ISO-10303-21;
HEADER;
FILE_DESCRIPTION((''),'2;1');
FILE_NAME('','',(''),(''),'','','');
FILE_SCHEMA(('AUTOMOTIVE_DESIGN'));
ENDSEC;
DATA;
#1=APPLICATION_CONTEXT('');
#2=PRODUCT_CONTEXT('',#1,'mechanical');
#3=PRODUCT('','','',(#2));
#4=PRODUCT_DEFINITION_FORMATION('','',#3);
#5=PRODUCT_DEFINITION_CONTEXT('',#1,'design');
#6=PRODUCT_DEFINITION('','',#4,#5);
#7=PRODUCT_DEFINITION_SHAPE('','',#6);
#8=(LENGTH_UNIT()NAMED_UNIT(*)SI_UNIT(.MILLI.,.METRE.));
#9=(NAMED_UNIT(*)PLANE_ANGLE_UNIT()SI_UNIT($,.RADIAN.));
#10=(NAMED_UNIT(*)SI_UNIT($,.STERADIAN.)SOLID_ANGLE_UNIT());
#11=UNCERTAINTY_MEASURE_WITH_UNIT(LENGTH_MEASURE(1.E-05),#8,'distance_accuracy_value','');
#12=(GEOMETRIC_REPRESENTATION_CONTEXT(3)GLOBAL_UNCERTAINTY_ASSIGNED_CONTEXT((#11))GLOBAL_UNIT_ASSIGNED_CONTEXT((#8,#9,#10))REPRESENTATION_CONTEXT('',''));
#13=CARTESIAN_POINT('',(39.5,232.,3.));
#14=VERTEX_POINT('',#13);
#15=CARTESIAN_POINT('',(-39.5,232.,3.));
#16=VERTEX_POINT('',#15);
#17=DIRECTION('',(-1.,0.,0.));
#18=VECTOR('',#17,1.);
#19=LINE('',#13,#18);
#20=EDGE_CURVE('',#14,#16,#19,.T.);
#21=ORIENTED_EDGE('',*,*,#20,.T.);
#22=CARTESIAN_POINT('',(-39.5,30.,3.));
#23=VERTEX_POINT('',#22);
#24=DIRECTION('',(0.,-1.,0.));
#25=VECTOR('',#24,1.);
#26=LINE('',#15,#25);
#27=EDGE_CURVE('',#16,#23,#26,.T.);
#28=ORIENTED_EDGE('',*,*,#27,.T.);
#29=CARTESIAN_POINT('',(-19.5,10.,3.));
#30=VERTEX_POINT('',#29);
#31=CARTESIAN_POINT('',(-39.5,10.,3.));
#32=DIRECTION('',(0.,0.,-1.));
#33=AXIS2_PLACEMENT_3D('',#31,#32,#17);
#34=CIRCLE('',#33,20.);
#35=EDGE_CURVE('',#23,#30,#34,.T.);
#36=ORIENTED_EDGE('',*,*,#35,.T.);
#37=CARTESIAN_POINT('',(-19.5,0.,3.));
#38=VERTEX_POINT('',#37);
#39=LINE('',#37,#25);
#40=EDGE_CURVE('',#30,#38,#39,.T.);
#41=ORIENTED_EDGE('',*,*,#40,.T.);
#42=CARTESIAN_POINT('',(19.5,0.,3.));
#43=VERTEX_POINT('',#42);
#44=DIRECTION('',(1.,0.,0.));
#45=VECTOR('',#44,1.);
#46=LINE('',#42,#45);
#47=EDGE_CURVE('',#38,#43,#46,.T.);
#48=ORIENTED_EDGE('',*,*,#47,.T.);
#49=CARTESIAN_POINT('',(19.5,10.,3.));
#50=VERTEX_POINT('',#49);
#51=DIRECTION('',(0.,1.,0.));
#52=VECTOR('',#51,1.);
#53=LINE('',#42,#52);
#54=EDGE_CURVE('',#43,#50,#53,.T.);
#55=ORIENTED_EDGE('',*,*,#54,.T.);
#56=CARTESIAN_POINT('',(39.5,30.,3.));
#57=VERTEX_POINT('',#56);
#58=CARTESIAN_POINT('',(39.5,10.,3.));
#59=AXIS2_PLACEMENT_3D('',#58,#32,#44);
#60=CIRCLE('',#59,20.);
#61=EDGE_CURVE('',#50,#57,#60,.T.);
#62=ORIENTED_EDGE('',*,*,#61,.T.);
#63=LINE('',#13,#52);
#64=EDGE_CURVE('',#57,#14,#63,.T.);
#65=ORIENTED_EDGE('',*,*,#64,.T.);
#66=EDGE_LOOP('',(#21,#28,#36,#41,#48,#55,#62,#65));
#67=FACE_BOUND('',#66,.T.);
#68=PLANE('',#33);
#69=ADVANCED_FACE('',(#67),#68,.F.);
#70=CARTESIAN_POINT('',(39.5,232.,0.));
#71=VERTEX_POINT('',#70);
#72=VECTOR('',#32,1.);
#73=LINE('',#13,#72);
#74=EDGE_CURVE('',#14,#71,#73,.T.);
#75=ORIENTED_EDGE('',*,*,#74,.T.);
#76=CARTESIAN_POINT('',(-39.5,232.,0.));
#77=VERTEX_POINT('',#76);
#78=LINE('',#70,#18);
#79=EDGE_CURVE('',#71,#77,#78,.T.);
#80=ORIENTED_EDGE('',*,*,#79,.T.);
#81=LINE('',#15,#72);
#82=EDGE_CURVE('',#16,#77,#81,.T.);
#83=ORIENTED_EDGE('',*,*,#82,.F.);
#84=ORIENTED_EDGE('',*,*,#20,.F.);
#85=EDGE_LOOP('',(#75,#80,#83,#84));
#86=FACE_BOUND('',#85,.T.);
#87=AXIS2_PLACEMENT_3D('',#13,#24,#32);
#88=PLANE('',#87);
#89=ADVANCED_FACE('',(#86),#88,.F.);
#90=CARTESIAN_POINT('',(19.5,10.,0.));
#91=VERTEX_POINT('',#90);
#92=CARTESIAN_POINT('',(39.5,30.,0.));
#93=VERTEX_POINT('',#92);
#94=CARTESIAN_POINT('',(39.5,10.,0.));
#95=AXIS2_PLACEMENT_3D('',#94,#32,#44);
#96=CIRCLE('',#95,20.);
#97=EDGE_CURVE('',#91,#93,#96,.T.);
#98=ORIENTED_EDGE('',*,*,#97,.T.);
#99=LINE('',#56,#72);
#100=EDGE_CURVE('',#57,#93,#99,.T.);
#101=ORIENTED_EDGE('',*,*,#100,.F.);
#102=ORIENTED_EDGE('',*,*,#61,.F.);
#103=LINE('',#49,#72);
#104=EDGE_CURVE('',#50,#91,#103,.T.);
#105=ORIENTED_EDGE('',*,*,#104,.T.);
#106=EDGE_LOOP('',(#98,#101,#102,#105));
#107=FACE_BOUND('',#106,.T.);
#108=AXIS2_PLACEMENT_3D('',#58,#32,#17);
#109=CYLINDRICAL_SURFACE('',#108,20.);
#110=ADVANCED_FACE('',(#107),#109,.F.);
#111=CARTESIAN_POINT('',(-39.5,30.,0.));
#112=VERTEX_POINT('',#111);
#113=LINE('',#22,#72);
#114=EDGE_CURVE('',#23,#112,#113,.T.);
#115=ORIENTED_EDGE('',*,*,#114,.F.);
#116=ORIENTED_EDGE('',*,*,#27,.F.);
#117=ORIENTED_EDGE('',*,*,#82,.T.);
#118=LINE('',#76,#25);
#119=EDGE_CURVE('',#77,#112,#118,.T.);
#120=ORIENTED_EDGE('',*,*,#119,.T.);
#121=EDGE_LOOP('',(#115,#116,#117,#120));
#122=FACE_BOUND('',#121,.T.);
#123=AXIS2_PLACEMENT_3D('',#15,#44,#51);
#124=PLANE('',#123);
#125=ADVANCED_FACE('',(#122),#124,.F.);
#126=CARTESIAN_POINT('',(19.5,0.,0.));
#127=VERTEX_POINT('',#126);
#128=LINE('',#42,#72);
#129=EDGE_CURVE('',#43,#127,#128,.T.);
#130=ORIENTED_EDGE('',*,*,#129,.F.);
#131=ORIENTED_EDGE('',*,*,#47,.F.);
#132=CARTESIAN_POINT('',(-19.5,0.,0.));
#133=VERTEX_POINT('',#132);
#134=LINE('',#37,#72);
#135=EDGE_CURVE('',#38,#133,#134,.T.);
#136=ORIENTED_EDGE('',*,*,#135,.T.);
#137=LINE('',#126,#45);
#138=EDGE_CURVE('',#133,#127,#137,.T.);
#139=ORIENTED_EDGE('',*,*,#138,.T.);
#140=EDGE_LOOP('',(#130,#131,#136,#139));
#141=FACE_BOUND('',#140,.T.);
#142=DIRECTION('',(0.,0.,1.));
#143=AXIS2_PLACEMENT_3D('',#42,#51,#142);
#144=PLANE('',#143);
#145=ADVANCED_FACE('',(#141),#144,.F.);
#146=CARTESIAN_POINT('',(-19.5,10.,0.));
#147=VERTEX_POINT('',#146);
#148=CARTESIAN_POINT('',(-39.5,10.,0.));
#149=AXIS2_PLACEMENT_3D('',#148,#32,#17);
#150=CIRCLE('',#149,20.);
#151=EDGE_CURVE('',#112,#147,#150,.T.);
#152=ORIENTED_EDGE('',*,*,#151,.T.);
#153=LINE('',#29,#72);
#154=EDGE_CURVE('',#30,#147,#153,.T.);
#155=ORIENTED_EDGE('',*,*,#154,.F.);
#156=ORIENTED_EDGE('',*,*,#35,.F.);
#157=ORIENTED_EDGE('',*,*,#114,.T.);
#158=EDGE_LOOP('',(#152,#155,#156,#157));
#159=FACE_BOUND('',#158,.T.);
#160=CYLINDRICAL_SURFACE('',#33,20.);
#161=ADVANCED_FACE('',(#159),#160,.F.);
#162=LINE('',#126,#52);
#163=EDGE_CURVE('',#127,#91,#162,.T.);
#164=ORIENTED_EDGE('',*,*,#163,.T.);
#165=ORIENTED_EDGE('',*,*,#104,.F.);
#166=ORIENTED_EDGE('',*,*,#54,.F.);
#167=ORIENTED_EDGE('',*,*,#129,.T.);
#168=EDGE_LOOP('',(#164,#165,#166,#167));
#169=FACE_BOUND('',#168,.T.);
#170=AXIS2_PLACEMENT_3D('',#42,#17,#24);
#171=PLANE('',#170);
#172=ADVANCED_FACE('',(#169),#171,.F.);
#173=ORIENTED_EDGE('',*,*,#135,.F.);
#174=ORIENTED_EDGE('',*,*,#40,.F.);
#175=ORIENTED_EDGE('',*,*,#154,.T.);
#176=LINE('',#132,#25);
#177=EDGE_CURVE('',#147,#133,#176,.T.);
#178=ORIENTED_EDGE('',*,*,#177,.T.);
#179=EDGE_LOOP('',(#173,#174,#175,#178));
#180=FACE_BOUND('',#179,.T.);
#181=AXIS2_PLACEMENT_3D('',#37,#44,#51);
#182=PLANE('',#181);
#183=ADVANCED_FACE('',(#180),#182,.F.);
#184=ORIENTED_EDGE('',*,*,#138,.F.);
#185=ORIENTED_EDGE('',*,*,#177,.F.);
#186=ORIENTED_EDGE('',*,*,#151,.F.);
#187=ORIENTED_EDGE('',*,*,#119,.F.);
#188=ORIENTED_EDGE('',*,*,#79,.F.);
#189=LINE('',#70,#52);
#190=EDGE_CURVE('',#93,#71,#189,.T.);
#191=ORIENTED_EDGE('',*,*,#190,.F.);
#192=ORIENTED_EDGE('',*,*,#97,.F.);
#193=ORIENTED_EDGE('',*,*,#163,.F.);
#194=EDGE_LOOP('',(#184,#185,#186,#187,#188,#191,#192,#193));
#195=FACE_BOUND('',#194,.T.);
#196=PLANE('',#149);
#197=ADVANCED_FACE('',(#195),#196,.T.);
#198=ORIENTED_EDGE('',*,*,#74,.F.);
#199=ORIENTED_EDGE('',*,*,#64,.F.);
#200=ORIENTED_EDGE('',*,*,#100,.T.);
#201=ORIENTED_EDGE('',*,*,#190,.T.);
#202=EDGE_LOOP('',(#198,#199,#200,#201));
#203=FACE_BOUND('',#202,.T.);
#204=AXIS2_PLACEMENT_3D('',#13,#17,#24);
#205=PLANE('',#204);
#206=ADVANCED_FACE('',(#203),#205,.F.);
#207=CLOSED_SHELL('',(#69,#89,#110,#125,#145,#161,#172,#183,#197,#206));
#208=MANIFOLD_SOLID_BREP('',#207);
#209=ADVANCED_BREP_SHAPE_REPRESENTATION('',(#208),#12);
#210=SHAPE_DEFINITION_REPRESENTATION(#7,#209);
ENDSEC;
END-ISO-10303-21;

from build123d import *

# Parameters (mm, degrees)
EXTRUSION1_DEPTH = 3


with BuildPart() as part:
    # Esquisse1 → Extrusion1 (new body)
    with BuildSketch(Plane.XY):
        with BuildLine():
            Line((39.5, 232), (-39.5, 232))
            Line((-39.5, 232), (-39.5, 30))
            ThreePointArc((-39.5, 30), (-25.357864376, 24.142135624), (-19.5, 10))
            Line((-19.5, 10), (-19.5, 0))
            Line((-19.5, 0), (19.5, 0))
            Line((19.5, 0), (19.5, 10))
            ThreePointArc((19.5, 10), (25.357864376, 24.142135624), (39.5, 30))
            Line((39.5, 30), (39.5, 232))
        make_face()
    extrude(amount=EXTRUSION1_DEPTH)


solid = part.part
